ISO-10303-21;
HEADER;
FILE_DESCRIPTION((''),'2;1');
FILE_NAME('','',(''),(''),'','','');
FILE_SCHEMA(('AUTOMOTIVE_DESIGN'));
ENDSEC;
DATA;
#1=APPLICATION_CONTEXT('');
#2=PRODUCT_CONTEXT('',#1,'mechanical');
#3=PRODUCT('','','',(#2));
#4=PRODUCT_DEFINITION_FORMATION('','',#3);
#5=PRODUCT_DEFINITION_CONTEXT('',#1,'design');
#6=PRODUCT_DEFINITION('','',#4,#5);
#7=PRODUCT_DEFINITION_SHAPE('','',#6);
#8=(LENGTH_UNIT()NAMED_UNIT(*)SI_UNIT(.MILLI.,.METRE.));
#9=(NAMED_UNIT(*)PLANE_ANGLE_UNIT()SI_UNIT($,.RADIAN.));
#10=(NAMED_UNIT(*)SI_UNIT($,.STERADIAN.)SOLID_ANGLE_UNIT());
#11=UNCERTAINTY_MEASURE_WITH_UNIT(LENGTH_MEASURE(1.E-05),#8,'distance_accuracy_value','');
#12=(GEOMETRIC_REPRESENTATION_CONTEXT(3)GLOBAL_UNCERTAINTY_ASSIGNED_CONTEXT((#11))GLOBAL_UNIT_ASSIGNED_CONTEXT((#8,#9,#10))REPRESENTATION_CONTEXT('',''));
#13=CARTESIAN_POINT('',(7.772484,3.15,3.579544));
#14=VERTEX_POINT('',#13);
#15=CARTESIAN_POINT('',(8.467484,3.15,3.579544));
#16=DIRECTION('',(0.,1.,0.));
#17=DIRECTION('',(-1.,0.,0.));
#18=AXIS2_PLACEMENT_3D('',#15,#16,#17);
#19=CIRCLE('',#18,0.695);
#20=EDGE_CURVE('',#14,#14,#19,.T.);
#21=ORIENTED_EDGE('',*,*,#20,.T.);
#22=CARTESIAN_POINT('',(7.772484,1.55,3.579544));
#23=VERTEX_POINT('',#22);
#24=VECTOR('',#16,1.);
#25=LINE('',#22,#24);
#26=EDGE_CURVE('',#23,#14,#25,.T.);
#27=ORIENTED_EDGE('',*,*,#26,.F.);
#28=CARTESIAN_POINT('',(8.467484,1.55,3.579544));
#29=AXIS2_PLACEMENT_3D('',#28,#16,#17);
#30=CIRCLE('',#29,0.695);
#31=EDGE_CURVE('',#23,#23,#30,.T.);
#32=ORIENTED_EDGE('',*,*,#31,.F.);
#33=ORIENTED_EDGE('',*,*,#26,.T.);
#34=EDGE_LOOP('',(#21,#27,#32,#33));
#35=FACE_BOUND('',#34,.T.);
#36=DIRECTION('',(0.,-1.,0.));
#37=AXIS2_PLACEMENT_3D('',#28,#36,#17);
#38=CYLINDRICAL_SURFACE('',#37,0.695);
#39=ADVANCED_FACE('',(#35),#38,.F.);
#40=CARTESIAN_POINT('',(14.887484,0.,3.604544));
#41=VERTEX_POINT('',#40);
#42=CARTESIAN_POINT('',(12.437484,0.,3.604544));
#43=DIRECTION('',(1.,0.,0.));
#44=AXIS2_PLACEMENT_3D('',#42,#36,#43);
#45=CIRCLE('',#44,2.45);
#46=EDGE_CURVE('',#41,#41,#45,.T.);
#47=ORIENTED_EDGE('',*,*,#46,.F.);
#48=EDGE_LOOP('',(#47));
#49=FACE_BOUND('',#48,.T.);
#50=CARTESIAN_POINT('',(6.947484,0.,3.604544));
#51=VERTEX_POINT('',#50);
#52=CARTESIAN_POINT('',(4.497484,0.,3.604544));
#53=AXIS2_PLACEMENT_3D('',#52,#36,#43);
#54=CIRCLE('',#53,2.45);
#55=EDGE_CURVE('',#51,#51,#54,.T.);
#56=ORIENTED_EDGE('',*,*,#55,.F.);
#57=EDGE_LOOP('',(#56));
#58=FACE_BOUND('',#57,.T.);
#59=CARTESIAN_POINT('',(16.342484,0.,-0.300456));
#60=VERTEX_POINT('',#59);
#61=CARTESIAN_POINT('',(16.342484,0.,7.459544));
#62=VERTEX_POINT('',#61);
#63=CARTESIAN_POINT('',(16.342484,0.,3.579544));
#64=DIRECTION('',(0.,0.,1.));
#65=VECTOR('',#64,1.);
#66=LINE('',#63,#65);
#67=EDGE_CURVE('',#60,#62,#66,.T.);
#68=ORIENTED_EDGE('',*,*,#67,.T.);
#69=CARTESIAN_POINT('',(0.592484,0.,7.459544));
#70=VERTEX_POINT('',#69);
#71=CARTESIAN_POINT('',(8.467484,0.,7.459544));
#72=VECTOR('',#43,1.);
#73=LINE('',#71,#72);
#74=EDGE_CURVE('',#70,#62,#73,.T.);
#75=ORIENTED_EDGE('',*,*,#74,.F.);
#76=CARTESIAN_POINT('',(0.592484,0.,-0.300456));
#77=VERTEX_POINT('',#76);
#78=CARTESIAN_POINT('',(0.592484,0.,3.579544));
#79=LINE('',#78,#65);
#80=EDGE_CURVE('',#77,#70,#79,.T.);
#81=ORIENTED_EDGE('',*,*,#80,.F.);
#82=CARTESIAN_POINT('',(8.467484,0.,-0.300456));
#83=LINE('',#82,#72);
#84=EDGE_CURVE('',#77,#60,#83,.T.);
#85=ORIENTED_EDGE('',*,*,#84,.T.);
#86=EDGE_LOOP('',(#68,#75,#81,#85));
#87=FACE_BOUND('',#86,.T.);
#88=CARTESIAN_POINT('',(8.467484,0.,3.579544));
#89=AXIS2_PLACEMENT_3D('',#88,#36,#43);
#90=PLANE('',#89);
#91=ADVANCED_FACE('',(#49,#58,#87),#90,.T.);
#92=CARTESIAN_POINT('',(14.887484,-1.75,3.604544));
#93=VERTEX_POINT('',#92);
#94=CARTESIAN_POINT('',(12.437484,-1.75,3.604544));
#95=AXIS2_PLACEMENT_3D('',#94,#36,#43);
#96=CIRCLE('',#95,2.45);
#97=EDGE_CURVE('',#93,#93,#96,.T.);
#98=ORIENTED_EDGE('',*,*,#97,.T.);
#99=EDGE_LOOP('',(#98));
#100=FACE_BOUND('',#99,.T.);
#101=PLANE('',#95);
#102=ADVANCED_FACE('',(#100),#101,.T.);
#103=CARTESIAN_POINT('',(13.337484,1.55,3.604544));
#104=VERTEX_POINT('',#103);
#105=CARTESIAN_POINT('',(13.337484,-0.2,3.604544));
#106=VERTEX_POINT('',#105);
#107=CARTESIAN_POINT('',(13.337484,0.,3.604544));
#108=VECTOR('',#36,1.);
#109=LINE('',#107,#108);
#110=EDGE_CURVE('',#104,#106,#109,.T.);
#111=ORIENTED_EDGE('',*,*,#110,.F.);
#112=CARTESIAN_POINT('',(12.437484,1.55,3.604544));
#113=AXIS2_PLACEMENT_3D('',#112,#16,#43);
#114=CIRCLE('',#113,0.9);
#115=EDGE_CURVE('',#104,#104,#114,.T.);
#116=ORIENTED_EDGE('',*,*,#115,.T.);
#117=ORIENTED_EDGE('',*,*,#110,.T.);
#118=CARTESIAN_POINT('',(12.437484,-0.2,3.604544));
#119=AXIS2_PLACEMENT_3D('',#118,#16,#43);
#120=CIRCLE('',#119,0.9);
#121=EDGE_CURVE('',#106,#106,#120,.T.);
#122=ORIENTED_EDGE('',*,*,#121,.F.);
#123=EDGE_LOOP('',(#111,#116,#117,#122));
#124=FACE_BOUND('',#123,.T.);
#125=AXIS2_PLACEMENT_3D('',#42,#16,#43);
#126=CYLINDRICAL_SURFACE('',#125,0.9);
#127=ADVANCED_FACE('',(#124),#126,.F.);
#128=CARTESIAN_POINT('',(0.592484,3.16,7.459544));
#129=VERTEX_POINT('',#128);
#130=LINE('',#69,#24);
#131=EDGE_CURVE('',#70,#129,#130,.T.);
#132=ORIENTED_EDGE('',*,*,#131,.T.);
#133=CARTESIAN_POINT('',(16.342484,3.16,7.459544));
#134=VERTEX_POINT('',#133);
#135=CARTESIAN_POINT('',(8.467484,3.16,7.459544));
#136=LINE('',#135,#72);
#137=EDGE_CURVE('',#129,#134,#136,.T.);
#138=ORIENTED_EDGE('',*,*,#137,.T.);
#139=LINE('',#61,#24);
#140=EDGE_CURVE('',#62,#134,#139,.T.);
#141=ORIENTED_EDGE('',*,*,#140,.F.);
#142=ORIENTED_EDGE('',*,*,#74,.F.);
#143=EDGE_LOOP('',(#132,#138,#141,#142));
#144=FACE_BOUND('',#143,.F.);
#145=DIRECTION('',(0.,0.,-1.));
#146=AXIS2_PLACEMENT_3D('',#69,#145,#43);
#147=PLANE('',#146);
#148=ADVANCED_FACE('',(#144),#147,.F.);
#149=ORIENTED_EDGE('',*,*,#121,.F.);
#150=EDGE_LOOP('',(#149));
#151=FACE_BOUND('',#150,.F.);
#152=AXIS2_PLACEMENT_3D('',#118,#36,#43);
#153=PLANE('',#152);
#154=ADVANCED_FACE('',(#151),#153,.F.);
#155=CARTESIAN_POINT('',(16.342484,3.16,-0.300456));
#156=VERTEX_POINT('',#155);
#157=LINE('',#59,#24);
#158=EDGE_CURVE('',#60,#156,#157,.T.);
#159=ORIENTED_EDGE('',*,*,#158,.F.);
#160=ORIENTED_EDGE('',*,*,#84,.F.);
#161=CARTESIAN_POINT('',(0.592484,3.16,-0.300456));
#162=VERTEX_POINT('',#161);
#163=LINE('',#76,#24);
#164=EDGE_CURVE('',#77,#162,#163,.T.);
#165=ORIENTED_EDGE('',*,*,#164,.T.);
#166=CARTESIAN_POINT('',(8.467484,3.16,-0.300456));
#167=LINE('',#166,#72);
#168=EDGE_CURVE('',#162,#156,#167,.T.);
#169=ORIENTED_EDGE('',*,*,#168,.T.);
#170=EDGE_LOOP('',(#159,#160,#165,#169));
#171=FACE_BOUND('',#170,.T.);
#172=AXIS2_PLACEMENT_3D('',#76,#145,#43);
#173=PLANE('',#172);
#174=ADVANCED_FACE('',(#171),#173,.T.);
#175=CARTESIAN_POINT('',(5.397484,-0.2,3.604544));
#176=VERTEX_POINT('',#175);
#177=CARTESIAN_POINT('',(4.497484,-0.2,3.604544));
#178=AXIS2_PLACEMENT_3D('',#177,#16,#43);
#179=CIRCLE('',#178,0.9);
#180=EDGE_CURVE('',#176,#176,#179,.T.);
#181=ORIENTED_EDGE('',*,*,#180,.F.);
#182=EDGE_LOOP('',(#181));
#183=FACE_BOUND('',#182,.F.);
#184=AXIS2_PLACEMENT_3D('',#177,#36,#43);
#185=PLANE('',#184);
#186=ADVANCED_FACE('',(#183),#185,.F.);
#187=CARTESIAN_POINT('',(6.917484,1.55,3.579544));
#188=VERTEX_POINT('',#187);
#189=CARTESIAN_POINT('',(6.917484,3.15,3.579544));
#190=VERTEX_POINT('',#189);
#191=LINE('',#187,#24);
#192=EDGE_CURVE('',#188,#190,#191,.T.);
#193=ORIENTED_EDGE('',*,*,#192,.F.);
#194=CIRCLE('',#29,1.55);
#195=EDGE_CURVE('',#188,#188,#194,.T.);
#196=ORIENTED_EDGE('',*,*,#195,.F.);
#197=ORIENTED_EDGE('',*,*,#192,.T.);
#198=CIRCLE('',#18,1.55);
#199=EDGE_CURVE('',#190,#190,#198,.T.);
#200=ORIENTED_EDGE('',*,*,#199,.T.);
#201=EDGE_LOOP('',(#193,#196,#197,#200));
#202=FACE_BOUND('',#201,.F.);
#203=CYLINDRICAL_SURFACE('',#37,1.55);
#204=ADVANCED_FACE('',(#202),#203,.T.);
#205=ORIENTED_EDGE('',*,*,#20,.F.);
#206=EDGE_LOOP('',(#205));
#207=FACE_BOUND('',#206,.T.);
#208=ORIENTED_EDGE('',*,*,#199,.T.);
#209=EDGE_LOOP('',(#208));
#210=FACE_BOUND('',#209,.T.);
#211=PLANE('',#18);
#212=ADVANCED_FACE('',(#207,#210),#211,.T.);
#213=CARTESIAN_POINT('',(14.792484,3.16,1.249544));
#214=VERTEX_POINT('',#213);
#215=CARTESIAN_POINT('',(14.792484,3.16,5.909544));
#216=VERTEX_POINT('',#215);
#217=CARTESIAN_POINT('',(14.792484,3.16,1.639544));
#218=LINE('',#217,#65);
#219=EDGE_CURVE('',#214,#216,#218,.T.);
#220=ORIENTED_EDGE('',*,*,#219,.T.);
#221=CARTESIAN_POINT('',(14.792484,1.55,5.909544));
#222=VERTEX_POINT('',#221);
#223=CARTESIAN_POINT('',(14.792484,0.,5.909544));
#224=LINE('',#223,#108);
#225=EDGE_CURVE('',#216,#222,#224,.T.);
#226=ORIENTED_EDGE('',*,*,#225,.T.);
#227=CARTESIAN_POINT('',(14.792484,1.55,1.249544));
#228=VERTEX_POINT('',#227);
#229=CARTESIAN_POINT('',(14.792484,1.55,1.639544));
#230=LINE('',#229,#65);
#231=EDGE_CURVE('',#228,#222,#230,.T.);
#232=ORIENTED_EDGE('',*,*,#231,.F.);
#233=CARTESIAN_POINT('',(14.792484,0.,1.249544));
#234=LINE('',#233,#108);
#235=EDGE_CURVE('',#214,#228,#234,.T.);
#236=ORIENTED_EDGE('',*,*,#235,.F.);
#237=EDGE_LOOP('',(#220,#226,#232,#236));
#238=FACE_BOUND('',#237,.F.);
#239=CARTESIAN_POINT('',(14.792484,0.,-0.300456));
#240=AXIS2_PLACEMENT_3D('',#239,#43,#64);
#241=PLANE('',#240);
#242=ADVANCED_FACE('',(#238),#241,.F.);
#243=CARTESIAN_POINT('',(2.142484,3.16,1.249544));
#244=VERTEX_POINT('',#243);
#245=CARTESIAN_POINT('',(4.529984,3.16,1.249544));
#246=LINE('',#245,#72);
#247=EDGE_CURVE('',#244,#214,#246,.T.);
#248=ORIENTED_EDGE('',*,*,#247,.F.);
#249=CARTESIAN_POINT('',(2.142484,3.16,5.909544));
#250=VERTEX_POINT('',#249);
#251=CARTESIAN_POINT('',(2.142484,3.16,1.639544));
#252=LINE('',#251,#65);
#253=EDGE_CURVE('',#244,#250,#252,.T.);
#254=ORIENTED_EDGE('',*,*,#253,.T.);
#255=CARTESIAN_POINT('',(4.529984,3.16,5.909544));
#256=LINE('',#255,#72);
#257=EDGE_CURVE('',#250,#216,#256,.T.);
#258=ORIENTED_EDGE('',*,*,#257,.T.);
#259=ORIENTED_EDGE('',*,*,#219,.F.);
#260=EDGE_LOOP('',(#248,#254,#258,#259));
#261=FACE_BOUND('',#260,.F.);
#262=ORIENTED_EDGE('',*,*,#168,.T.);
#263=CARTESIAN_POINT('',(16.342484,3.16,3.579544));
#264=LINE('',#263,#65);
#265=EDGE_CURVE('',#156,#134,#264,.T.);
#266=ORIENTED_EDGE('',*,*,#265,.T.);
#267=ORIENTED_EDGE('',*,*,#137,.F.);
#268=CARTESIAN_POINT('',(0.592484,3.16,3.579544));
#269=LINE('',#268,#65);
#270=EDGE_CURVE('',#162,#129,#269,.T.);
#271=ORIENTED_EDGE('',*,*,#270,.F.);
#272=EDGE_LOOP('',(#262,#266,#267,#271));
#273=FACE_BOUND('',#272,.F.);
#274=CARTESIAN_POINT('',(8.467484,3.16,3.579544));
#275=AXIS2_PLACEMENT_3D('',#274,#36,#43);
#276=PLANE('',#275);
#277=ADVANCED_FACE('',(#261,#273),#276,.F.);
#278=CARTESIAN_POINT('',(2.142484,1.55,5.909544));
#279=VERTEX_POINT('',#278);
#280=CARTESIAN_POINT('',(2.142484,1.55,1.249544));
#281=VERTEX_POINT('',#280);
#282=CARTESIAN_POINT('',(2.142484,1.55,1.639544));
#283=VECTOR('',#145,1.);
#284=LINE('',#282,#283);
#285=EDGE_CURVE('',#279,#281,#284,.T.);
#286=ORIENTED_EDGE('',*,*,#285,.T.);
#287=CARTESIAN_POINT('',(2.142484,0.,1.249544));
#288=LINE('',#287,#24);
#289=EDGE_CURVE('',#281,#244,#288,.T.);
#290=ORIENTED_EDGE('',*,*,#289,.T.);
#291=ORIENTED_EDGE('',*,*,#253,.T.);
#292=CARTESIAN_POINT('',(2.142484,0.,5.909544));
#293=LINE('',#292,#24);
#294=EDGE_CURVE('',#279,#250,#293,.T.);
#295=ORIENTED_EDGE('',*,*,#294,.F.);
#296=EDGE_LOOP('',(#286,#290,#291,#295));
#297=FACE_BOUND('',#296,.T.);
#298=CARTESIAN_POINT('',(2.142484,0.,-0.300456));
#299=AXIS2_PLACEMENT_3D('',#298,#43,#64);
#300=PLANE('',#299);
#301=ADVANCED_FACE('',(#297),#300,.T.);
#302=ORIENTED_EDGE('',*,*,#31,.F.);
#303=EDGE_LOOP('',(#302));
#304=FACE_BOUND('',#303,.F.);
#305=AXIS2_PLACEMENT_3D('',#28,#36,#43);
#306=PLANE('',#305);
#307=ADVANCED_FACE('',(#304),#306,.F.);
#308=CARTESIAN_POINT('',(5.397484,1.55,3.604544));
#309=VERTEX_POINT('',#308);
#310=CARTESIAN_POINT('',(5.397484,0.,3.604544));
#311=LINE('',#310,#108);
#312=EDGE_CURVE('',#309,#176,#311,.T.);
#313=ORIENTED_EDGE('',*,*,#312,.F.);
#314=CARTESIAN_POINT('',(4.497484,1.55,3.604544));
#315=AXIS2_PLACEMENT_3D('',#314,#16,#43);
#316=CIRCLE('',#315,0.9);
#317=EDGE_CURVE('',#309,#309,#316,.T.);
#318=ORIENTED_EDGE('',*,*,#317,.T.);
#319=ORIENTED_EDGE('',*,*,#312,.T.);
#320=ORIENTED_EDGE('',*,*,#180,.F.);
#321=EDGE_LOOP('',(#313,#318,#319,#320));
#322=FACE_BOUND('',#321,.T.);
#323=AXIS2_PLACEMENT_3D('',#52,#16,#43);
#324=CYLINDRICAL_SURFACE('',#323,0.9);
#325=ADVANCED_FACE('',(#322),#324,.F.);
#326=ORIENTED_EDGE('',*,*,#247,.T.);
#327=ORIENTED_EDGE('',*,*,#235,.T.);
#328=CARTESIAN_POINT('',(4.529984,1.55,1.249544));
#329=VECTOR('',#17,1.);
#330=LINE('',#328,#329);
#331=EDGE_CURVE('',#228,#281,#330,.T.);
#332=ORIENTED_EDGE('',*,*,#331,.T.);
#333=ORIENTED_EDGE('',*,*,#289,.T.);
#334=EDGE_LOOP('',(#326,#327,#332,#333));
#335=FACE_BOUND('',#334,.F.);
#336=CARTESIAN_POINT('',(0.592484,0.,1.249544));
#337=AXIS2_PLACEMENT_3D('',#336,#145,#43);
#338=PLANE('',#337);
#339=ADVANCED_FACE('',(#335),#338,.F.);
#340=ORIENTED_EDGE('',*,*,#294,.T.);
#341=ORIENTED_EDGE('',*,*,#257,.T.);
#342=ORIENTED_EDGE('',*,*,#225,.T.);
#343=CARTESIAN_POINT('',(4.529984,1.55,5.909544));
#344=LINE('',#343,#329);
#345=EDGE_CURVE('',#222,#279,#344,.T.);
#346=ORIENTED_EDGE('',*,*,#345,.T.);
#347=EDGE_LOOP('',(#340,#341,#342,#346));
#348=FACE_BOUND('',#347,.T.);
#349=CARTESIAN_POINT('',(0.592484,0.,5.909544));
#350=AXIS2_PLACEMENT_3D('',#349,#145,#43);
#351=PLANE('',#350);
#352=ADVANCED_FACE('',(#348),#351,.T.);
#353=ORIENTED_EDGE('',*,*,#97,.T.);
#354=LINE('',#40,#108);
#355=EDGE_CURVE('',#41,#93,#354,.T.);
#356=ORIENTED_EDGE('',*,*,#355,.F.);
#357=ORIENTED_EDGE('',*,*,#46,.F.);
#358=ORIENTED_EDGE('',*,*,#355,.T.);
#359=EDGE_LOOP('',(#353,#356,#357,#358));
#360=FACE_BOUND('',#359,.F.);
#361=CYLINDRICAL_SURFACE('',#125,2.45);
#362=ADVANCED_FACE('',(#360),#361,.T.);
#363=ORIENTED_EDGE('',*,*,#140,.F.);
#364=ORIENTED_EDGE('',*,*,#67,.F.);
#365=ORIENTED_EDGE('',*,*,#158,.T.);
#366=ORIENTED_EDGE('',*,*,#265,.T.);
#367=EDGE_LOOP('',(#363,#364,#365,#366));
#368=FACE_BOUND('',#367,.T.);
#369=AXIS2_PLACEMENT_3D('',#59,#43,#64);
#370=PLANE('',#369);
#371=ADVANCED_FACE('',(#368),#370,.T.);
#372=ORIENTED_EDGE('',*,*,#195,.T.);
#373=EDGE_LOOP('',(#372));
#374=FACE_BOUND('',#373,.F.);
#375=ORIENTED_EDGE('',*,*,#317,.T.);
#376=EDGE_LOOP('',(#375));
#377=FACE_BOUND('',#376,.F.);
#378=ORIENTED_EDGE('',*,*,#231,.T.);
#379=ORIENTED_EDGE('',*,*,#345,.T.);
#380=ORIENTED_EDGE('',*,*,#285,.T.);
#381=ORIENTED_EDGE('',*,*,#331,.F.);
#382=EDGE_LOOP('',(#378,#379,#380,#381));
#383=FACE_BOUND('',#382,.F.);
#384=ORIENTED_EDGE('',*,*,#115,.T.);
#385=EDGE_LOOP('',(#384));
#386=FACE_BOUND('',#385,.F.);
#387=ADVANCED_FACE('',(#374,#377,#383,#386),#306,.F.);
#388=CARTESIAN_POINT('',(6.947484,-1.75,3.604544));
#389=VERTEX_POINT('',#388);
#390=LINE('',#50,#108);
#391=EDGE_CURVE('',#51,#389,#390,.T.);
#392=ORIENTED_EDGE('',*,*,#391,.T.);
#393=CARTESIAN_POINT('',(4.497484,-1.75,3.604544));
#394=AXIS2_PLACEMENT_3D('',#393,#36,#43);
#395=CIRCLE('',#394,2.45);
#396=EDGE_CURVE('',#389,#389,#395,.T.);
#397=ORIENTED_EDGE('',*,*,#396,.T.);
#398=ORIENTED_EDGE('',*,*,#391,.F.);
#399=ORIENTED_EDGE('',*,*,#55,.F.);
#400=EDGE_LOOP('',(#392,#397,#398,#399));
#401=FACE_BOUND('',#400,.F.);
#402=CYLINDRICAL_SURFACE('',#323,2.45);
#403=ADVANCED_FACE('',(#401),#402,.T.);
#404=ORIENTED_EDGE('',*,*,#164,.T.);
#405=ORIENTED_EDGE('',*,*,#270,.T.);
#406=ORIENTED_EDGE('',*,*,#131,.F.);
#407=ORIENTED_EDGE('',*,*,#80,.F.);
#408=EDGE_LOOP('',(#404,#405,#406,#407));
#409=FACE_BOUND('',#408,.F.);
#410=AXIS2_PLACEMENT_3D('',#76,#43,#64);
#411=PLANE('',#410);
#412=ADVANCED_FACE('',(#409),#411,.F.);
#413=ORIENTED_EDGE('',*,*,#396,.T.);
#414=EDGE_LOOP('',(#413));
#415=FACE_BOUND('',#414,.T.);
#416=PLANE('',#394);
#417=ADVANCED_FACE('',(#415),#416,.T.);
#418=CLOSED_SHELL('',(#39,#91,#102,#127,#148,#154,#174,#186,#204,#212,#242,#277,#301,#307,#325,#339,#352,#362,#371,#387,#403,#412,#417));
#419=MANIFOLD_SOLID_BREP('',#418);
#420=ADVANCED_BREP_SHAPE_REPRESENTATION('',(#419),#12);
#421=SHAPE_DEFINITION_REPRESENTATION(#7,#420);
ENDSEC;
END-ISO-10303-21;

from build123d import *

# Parameters (mm, degrees)
F0_W     = 15.75
F0_H     = 7.76
F1_DEPTH = 3.16
F2_R     = 2.45
F3_DEPTH = 1.75
F4_T     = -1.55
F5_R     = 1.55
F5_R_2   = 0.695
F6_DEPTH = 1.6


with BuildPart() as f1:
    # F0 (on Front) → F1 (new body)
    with BuildSketch(Plane.XZ):
        with Locations((8.467483707, 3.5795439035)):
            Rectangle(F0_W, F0_H)
    extrude(amount=-F1_DEPTH)

    # F2 (on face) → F3 (join)
    with BuildSketch(Plane.XZ):
        with Locations((4.497483707, 3.6045439035)):
            Circle(F2_R)
        with Locations((12.437483707, 3.6045439035)):
            Circle(F2_R)
    extrude(amount=F3_DEPTH)

    # F4
    f4_openings = [f1.faces().sort_by_distance(p)[0] for p in [
        (8.467484, 3.16, 3.579544),
    ]]
    offset(amount=F4_T, openings=f4_openings, kind=Kind.INTERSECTION)

    # F5 (on face) → F6 (join)
    with BuildSketch(Plane(origin=(0, 1.55, 0), x_dir=(-1, 0, 0), z_dir=(0, 1, 0))):
        with Locations((-8.467483707, 3.5795439035)):
            Circle(F5_R)
        with Locations((-8.467483707, 3.5795439035)):
            Circle(F5_R_2, mode=Mode.SUBTRACT)
    extrude(amount=F6_DEPTH)


solid = f1.part
